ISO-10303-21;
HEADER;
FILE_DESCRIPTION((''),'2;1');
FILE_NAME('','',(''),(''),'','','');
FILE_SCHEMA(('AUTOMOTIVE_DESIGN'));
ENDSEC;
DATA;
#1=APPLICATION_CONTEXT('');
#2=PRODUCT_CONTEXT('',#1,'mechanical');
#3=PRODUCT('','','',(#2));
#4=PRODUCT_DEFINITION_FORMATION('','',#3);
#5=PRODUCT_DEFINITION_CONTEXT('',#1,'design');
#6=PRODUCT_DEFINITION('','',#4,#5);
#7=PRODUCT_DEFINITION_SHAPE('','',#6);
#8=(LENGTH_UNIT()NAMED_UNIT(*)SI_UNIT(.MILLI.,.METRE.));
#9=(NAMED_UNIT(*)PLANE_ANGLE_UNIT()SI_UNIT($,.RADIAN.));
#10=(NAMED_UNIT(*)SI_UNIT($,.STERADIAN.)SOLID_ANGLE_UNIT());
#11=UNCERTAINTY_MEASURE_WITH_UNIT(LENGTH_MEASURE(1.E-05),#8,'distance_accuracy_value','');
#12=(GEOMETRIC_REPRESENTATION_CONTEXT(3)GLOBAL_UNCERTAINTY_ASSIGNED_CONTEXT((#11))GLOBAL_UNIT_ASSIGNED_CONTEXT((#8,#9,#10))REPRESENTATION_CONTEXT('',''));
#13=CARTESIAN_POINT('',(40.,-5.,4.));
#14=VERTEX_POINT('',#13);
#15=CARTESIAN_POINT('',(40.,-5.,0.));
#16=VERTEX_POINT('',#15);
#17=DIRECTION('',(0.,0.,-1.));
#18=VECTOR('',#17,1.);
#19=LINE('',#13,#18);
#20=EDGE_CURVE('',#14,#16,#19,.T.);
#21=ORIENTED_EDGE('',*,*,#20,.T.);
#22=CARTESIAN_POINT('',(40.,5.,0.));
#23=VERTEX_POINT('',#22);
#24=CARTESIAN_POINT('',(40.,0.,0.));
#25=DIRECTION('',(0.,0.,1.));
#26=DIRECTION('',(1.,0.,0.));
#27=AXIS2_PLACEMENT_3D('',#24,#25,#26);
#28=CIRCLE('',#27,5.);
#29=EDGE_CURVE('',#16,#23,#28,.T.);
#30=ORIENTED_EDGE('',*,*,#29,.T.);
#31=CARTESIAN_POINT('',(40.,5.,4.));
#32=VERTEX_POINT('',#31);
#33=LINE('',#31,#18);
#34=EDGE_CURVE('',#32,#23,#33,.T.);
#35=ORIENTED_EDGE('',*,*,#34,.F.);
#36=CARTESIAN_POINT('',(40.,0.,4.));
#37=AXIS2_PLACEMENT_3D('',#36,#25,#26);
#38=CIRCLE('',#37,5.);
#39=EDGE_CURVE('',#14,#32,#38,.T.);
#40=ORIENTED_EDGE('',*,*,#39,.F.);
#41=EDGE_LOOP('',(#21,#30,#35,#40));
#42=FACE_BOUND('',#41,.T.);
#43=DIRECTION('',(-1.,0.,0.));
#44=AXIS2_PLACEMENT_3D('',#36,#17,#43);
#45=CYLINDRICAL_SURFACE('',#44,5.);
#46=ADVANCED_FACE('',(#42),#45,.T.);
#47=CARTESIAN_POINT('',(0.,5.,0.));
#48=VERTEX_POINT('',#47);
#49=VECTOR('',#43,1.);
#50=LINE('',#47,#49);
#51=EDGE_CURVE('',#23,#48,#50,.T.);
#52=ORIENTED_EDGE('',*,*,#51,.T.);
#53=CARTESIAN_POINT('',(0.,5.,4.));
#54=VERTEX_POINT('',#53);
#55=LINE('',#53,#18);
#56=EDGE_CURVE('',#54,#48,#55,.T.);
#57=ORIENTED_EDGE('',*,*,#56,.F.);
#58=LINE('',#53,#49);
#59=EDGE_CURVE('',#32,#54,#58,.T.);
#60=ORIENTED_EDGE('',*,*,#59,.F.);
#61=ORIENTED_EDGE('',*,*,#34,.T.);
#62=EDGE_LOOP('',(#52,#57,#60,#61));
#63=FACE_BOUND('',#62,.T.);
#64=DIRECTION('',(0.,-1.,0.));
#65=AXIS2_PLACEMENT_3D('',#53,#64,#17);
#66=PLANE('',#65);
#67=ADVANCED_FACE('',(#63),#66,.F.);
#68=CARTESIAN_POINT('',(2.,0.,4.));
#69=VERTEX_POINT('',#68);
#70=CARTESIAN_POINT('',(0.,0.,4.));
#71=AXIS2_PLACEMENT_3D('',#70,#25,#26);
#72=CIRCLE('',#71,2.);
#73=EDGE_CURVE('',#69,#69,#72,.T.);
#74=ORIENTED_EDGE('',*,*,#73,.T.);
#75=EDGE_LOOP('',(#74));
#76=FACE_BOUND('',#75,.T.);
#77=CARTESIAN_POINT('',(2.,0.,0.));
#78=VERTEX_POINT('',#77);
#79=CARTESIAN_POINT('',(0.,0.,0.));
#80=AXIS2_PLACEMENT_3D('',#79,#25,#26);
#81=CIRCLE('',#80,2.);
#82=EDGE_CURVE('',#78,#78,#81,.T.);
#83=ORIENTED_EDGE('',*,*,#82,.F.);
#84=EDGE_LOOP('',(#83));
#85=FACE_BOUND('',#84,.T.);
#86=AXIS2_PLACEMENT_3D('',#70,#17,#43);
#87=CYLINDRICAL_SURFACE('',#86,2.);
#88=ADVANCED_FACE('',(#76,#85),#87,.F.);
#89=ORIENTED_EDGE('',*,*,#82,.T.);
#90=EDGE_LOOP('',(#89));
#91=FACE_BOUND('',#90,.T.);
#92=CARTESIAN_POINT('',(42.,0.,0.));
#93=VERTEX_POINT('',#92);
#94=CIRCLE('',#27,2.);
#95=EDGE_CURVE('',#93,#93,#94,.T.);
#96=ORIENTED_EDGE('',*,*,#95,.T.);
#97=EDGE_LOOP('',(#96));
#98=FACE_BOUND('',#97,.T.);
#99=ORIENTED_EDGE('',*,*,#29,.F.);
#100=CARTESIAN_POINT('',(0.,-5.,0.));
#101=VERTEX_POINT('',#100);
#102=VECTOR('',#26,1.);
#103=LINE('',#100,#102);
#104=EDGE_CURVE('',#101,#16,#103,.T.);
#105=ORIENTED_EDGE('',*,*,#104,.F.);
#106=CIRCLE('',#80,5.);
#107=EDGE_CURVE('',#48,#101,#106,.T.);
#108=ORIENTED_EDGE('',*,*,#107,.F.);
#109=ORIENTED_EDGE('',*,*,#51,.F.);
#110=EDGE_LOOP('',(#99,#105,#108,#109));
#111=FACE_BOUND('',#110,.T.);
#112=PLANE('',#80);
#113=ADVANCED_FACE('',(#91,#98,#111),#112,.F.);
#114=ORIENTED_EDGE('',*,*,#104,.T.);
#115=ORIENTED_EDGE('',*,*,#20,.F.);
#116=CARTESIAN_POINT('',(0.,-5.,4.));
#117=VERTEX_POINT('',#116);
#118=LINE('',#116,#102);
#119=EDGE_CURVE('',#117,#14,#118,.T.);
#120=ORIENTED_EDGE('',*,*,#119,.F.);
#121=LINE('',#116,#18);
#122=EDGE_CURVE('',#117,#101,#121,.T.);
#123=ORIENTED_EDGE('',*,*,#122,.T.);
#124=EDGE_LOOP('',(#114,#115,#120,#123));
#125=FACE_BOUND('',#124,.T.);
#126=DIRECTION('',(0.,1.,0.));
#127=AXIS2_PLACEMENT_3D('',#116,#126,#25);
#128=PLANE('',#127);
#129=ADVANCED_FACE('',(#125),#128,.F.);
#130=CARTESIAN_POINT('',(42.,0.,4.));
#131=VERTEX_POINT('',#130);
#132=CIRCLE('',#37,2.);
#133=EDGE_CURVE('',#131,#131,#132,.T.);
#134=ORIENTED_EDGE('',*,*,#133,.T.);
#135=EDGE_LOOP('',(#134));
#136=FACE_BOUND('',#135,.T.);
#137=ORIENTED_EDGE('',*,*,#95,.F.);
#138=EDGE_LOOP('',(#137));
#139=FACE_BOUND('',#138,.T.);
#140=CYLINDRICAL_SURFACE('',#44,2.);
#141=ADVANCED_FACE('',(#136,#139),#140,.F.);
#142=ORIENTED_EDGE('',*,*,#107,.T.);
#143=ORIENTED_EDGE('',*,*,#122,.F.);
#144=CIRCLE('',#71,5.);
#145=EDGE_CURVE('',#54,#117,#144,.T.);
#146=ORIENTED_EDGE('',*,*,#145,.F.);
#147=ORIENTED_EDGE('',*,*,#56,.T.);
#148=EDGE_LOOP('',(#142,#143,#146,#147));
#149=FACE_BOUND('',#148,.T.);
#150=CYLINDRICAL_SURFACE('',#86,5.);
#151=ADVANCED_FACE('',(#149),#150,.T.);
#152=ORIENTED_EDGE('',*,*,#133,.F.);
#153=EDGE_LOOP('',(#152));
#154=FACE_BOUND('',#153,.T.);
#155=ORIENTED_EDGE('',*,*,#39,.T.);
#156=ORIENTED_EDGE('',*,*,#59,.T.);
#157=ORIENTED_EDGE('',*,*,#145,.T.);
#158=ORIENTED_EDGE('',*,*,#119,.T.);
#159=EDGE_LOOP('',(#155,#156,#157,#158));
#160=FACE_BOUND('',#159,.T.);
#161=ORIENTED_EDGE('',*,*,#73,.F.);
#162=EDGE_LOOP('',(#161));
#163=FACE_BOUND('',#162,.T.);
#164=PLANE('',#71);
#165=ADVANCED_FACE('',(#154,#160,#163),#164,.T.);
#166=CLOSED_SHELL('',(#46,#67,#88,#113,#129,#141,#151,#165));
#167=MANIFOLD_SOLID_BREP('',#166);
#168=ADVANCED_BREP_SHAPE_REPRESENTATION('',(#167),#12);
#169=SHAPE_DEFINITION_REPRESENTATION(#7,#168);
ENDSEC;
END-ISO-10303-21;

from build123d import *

# Parameters (mm, degrees)
ESQUISSE1_R        = 2
BOSS_EXTRU_1_DEPTH = 4


with BuildPart() as part:
    # Esquisse1 → Boss.-Extru.1 (new body)
    with BuildSketch(Plane.XY):
        with BuildLine():
            Line((0, 5), (40, 5))
            ThreePointArc((40, 5), (45, 0), (40, -5))
            Line((40, -5), (0, -5))
            ThreePointArc((0, -5), (-5, 0), (0, 5))
        make_face()
        with Locations((40, 0)):
            Circle(ESQUISSE1_R, mode=Mode.SUBTRACT)
        Circle(ESQUISSE1_R, mode=Mode.SUBTRACT)
    extrude(amount=BOSS_EXTRU_1_DEPTH)


solid = part.part
